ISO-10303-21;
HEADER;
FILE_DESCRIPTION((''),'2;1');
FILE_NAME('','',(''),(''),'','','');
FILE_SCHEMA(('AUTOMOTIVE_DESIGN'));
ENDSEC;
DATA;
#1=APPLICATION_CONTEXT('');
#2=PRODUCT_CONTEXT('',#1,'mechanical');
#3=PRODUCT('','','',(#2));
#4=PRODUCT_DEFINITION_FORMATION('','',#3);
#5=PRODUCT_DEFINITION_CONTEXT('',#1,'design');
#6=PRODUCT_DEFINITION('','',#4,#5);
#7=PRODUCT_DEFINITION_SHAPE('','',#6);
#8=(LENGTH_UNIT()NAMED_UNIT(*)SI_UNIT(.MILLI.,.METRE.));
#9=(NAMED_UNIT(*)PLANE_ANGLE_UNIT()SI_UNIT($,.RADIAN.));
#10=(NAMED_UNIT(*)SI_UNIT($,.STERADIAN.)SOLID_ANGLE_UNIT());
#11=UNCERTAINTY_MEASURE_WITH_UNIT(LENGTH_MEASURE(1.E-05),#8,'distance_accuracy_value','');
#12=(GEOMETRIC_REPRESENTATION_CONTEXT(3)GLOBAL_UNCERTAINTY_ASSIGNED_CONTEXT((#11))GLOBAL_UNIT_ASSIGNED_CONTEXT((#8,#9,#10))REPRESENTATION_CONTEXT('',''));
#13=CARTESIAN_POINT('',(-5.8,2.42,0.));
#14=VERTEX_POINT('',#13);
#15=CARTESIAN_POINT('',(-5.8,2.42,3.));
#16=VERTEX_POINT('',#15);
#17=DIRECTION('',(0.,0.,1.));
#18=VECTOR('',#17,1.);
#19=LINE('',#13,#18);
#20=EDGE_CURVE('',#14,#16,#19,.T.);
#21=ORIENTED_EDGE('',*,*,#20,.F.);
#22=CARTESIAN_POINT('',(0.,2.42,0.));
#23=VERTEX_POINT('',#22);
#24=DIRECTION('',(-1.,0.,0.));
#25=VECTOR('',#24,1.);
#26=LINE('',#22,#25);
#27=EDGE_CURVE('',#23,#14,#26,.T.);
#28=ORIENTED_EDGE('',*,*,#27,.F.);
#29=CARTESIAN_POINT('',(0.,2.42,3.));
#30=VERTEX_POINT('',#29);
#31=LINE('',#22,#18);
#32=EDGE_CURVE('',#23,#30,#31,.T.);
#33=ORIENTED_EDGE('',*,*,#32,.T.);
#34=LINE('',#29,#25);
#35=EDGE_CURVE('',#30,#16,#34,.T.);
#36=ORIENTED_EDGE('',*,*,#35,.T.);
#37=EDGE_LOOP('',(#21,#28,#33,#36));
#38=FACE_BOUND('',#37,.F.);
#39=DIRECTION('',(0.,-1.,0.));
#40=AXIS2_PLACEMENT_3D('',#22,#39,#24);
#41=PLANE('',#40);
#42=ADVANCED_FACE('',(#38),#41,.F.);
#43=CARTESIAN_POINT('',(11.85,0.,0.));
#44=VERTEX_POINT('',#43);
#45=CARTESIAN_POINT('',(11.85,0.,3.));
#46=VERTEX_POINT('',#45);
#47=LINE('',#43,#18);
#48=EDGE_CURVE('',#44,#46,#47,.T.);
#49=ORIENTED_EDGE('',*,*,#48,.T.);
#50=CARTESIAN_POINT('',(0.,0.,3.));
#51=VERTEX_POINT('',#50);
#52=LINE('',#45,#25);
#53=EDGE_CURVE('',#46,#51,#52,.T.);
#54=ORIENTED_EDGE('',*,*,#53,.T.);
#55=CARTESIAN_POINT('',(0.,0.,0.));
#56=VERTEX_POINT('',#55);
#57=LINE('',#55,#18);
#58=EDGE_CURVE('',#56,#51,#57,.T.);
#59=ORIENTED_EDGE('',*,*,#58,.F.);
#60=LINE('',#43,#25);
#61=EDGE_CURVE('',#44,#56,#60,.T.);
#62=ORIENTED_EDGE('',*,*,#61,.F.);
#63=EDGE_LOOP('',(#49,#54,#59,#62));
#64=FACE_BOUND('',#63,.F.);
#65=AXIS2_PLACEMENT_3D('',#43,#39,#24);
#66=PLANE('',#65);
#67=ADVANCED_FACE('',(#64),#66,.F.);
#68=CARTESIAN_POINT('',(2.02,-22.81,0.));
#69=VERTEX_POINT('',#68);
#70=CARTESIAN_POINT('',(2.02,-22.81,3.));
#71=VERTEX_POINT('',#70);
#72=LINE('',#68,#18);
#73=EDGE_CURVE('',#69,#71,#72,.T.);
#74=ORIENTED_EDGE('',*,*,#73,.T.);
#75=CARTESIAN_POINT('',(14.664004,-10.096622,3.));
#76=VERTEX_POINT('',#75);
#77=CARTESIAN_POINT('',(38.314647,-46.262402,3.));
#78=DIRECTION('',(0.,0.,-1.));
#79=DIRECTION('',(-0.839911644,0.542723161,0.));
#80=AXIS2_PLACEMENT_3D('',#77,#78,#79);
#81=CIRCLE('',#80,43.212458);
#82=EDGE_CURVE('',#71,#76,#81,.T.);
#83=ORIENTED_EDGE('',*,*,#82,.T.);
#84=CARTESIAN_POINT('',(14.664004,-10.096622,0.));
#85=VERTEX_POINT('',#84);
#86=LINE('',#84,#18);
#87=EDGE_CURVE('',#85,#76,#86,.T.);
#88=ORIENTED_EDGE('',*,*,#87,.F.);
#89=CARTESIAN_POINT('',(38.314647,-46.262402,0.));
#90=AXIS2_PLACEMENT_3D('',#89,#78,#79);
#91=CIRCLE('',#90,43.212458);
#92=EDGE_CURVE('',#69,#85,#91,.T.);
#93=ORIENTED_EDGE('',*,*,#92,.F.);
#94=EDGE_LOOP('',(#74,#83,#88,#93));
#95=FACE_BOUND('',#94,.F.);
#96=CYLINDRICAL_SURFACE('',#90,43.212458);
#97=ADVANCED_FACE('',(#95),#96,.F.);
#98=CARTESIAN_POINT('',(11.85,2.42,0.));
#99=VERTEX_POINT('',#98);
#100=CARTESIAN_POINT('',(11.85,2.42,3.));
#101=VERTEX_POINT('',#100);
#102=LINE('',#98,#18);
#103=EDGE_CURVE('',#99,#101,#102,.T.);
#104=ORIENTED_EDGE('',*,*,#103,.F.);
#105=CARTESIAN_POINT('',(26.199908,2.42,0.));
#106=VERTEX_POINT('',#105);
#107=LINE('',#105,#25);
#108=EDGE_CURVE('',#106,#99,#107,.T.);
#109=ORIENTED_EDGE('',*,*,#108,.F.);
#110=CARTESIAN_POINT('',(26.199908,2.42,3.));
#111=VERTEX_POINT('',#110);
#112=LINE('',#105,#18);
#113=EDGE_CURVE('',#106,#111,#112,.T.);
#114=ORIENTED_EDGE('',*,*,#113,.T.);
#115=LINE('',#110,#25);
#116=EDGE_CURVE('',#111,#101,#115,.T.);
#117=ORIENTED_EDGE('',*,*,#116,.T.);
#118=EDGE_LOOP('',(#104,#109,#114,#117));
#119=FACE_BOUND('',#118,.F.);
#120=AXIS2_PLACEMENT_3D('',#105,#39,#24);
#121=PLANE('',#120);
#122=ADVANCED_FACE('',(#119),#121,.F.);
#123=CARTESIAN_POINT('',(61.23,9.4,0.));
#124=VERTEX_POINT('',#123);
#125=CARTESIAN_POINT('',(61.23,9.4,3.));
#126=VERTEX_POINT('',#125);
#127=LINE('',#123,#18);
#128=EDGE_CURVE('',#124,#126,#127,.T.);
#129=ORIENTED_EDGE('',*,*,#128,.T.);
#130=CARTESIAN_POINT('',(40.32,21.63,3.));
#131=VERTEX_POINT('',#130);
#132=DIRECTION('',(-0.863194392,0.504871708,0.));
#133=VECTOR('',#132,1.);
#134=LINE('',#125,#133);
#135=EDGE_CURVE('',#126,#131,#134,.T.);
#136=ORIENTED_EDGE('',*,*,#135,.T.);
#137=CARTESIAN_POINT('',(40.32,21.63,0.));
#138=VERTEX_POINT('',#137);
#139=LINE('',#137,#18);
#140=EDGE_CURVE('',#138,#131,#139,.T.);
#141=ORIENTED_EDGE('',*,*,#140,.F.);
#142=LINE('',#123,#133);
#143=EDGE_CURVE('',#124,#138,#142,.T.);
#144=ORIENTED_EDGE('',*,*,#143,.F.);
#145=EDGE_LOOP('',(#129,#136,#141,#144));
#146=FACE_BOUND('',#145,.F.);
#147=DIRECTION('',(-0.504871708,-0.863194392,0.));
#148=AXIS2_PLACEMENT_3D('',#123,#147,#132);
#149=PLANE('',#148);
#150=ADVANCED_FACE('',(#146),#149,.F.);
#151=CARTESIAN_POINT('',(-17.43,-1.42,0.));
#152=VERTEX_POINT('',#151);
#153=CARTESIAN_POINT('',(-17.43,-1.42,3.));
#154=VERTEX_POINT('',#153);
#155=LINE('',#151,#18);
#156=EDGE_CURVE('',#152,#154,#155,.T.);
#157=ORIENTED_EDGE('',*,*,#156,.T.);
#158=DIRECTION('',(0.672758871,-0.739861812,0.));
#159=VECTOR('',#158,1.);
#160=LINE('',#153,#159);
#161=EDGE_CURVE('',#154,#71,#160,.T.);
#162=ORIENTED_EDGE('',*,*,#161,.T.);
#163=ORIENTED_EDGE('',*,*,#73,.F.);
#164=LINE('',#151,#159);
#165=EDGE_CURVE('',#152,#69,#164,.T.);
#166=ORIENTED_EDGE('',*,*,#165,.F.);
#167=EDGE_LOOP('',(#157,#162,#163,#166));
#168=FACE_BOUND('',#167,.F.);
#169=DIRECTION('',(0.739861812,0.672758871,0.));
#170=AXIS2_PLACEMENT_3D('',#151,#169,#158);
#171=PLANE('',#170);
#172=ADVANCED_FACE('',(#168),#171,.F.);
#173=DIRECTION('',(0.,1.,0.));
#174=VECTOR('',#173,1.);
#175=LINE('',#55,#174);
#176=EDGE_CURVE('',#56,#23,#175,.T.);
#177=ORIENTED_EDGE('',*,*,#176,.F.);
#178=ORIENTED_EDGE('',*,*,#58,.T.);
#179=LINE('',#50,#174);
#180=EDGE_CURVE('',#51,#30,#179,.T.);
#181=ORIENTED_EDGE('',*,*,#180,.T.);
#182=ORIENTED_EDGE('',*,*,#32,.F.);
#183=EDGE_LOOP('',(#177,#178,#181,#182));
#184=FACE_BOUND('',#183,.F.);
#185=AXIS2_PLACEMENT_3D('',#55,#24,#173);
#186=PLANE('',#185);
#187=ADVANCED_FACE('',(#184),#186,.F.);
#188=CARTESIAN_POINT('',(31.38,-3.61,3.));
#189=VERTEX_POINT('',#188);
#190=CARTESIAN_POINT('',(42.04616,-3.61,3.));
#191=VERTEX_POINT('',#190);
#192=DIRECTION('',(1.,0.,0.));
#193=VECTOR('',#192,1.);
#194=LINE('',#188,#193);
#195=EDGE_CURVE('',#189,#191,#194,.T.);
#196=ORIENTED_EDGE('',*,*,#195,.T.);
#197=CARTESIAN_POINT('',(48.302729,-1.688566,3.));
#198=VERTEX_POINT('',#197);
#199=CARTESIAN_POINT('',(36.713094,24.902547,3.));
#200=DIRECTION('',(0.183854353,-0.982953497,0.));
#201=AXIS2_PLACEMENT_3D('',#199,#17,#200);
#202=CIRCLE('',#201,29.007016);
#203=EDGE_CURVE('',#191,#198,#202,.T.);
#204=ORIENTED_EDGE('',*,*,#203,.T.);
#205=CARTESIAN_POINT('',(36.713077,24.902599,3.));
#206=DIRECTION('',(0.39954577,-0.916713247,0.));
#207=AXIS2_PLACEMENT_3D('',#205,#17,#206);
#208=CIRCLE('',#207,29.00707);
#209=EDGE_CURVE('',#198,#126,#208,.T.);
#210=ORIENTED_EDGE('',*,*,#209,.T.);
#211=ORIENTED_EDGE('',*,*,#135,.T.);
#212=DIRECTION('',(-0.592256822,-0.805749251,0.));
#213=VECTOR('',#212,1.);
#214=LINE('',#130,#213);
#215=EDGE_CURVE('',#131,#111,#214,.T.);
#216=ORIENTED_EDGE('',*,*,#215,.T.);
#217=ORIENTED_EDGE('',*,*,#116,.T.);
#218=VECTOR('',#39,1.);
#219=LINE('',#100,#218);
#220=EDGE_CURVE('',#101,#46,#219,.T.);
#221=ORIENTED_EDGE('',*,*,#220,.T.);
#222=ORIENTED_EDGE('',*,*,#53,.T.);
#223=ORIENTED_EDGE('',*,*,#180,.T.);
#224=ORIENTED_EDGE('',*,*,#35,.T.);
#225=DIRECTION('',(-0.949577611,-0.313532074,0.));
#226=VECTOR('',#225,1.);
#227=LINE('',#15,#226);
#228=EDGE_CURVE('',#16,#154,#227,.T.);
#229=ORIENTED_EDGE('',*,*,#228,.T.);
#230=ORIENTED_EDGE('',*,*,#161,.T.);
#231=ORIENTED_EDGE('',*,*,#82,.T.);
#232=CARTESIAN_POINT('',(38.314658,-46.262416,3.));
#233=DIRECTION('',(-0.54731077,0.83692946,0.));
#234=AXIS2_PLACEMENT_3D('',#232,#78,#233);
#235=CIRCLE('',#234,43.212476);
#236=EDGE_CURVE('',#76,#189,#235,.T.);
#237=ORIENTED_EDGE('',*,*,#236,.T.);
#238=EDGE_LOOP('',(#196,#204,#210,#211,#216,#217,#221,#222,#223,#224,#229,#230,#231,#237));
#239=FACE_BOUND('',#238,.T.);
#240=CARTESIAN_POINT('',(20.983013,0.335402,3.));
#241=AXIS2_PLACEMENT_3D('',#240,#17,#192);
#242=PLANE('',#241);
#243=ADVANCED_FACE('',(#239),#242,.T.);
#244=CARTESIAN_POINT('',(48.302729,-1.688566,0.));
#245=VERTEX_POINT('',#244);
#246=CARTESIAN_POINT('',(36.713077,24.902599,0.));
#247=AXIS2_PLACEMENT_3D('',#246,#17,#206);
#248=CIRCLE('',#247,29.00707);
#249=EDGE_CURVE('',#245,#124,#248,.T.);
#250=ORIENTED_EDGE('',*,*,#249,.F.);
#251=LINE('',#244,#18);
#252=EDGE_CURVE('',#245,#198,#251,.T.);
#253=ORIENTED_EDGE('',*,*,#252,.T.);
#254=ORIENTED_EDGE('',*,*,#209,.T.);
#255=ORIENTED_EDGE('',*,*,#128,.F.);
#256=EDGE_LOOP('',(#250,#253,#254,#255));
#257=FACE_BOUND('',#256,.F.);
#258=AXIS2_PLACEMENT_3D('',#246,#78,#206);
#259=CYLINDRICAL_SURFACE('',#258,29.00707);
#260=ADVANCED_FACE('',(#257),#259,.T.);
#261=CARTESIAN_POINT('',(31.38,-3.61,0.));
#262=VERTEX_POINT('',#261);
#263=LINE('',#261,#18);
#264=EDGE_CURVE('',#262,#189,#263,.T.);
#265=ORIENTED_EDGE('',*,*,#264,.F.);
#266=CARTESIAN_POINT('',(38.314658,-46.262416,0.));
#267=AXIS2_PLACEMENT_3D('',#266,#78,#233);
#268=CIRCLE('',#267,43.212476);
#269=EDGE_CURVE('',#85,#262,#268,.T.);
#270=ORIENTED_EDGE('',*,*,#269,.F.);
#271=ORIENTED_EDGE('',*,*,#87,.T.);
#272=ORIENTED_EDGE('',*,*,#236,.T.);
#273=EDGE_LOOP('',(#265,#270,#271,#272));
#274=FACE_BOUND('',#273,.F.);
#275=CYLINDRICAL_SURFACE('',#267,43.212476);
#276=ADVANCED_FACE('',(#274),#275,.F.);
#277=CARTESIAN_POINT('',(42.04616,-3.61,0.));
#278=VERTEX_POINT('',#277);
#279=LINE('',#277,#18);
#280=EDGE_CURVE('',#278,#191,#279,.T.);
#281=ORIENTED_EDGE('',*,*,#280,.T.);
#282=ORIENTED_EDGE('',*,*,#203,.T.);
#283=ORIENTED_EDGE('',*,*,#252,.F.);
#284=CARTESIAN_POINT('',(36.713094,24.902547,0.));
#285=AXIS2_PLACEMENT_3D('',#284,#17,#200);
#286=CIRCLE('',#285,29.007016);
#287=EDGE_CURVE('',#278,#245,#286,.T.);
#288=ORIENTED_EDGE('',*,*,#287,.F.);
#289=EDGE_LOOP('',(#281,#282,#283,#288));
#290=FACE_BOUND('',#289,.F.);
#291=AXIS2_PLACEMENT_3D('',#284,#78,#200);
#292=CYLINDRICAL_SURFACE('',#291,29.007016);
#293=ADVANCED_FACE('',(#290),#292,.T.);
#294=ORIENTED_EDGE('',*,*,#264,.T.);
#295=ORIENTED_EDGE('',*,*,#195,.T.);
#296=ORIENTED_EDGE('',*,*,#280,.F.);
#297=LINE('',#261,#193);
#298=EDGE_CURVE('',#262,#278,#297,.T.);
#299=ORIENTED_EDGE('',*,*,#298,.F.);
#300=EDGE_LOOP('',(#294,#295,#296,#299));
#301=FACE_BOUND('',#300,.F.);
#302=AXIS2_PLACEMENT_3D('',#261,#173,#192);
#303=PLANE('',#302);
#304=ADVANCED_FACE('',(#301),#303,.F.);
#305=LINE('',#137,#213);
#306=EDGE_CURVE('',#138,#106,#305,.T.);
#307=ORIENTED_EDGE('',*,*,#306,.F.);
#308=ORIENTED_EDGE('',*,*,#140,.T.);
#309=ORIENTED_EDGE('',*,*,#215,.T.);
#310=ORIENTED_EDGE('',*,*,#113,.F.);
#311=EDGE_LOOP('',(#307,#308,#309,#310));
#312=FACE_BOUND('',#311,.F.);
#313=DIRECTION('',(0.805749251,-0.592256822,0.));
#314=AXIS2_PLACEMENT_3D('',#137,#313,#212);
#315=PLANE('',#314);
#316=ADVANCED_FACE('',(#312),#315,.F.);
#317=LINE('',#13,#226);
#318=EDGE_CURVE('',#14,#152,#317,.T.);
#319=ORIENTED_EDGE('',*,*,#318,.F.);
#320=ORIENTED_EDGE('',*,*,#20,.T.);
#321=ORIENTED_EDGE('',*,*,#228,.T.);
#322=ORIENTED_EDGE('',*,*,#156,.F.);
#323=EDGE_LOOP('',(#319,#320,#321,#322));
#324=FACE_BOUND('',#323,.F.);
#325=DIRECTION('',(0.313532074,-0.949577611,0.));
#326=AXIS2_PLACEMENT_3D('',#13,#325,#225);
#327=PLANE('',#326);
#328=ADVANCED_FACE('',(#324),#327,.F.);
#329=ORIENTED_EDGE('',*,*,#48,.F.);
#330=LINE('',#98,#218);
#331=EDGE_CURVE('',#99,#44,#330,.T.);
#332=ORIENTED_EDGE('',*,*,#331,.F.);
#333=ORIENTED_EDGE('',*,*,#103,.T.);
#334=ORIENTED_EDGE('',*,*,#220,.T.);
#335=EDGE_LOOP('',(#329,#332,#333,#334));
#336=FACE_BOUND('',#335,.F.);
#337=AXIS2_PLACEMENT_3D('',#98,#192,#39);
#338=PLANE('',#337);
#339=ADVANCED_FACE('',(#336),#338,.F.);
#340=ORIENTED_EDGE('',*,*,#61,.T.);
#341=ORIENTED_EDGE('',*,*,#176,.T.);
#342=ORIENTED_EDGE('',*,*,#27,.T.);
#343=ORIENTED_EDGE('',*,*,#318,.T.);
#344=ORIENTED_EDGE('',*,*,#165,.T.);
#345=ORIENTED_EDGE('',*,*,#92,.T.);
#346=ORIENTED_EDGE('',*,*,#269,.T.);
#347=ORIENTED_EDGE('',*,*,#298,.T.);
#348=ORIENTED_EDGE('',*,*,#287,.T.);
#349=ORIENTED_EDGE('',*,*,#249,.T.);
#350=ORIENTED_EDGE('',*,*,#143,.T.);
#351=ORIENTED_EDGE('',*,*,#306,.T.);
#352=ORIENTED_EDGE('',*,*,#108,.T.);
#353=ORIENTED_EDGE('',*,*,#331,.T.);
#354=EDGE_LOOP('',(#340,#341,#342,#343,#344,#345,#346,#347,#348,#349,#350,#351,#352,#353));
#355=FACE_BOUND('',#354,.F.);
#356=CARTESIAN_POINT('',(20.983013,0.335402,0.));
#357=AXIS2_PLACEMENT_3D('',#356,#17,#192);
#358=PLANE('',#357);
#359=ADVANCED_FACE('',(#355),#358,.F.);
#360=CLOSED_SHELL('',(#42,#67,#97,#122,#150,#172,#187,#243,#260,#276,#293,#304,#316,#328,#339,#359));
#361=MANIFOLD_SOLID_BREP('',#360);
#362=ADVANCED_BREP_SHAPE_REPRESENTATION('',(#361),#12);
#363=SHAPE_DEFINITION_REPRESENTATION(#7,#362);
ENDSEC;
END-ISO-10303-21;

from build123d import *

# Parameters (mm, degrees)
F1_DEPTH = 3


with BuildPart() as f1:
    # F0 (on Top) → F1 (new body)
    with BuildSketch(Plane.XY):
        with BuildLine():
            Line((11.85, 0), (0, 0))
            Line((0, 0), (0, 2.42))
            Line((0, 2.42), (-5.8, 2.42))
            Line((-5.8, 2.42), (-17.43, -1.42))
            Line((-17.43, -1.42), (2.02, -22.81))
            ThreePointArc((2.02, -22.81), (7.675343, -15.79029), (14.664004, -10.096622))
            ThreePointArc((14.664004, -10.096622), (22.681859, -5.976765), (31.38, -3.61))
            Line((31.38, -3.61), (46.305, 2.895))
            Line((46.305, 2.895), (61.23, 9.4))
            Line((61.23, 9.4), (40.32, 21.63))
            Line((40.32, 21.63), (26.199908, 2.42))
            Line((26.199908, 2.42), (25.09, 0.91))
            Line((25.09, 0.91), (25.09, 2.42))
            Line((25.09, 2.42), (11.85, 2.42))
            Line((11.85, 2.42), (11.85, 0))
        make_face()
        with BuildLine():
            ThreePointArc((48.302729, -1.688566), (55.598528, 2.885564), (61.23, 9.4))
            Line((61.23, 9.4), (46.305, 2.895))
            Line((46.305, 2.895), (48.302729, -1.688566))
        make_face()
        with BuildLine():
            Line((46.305, 2.895), (31.38, -3.61))
            Line((31.38, -3.61), (42.04616, -3.61))
            ThreePointArc((42.04616, -3.61), (45.22881, -2.82631), (48.302729, -1.688566))
            Line((48.302729, -1.688566), (46.305, 2.895))
        make_face()
        Polygon((26.199908, 2.42), (25.09, 2.42), (25.09, 0.91), align=None)
    extrude(amount=F1_DEPTH)


solid = f1.part
